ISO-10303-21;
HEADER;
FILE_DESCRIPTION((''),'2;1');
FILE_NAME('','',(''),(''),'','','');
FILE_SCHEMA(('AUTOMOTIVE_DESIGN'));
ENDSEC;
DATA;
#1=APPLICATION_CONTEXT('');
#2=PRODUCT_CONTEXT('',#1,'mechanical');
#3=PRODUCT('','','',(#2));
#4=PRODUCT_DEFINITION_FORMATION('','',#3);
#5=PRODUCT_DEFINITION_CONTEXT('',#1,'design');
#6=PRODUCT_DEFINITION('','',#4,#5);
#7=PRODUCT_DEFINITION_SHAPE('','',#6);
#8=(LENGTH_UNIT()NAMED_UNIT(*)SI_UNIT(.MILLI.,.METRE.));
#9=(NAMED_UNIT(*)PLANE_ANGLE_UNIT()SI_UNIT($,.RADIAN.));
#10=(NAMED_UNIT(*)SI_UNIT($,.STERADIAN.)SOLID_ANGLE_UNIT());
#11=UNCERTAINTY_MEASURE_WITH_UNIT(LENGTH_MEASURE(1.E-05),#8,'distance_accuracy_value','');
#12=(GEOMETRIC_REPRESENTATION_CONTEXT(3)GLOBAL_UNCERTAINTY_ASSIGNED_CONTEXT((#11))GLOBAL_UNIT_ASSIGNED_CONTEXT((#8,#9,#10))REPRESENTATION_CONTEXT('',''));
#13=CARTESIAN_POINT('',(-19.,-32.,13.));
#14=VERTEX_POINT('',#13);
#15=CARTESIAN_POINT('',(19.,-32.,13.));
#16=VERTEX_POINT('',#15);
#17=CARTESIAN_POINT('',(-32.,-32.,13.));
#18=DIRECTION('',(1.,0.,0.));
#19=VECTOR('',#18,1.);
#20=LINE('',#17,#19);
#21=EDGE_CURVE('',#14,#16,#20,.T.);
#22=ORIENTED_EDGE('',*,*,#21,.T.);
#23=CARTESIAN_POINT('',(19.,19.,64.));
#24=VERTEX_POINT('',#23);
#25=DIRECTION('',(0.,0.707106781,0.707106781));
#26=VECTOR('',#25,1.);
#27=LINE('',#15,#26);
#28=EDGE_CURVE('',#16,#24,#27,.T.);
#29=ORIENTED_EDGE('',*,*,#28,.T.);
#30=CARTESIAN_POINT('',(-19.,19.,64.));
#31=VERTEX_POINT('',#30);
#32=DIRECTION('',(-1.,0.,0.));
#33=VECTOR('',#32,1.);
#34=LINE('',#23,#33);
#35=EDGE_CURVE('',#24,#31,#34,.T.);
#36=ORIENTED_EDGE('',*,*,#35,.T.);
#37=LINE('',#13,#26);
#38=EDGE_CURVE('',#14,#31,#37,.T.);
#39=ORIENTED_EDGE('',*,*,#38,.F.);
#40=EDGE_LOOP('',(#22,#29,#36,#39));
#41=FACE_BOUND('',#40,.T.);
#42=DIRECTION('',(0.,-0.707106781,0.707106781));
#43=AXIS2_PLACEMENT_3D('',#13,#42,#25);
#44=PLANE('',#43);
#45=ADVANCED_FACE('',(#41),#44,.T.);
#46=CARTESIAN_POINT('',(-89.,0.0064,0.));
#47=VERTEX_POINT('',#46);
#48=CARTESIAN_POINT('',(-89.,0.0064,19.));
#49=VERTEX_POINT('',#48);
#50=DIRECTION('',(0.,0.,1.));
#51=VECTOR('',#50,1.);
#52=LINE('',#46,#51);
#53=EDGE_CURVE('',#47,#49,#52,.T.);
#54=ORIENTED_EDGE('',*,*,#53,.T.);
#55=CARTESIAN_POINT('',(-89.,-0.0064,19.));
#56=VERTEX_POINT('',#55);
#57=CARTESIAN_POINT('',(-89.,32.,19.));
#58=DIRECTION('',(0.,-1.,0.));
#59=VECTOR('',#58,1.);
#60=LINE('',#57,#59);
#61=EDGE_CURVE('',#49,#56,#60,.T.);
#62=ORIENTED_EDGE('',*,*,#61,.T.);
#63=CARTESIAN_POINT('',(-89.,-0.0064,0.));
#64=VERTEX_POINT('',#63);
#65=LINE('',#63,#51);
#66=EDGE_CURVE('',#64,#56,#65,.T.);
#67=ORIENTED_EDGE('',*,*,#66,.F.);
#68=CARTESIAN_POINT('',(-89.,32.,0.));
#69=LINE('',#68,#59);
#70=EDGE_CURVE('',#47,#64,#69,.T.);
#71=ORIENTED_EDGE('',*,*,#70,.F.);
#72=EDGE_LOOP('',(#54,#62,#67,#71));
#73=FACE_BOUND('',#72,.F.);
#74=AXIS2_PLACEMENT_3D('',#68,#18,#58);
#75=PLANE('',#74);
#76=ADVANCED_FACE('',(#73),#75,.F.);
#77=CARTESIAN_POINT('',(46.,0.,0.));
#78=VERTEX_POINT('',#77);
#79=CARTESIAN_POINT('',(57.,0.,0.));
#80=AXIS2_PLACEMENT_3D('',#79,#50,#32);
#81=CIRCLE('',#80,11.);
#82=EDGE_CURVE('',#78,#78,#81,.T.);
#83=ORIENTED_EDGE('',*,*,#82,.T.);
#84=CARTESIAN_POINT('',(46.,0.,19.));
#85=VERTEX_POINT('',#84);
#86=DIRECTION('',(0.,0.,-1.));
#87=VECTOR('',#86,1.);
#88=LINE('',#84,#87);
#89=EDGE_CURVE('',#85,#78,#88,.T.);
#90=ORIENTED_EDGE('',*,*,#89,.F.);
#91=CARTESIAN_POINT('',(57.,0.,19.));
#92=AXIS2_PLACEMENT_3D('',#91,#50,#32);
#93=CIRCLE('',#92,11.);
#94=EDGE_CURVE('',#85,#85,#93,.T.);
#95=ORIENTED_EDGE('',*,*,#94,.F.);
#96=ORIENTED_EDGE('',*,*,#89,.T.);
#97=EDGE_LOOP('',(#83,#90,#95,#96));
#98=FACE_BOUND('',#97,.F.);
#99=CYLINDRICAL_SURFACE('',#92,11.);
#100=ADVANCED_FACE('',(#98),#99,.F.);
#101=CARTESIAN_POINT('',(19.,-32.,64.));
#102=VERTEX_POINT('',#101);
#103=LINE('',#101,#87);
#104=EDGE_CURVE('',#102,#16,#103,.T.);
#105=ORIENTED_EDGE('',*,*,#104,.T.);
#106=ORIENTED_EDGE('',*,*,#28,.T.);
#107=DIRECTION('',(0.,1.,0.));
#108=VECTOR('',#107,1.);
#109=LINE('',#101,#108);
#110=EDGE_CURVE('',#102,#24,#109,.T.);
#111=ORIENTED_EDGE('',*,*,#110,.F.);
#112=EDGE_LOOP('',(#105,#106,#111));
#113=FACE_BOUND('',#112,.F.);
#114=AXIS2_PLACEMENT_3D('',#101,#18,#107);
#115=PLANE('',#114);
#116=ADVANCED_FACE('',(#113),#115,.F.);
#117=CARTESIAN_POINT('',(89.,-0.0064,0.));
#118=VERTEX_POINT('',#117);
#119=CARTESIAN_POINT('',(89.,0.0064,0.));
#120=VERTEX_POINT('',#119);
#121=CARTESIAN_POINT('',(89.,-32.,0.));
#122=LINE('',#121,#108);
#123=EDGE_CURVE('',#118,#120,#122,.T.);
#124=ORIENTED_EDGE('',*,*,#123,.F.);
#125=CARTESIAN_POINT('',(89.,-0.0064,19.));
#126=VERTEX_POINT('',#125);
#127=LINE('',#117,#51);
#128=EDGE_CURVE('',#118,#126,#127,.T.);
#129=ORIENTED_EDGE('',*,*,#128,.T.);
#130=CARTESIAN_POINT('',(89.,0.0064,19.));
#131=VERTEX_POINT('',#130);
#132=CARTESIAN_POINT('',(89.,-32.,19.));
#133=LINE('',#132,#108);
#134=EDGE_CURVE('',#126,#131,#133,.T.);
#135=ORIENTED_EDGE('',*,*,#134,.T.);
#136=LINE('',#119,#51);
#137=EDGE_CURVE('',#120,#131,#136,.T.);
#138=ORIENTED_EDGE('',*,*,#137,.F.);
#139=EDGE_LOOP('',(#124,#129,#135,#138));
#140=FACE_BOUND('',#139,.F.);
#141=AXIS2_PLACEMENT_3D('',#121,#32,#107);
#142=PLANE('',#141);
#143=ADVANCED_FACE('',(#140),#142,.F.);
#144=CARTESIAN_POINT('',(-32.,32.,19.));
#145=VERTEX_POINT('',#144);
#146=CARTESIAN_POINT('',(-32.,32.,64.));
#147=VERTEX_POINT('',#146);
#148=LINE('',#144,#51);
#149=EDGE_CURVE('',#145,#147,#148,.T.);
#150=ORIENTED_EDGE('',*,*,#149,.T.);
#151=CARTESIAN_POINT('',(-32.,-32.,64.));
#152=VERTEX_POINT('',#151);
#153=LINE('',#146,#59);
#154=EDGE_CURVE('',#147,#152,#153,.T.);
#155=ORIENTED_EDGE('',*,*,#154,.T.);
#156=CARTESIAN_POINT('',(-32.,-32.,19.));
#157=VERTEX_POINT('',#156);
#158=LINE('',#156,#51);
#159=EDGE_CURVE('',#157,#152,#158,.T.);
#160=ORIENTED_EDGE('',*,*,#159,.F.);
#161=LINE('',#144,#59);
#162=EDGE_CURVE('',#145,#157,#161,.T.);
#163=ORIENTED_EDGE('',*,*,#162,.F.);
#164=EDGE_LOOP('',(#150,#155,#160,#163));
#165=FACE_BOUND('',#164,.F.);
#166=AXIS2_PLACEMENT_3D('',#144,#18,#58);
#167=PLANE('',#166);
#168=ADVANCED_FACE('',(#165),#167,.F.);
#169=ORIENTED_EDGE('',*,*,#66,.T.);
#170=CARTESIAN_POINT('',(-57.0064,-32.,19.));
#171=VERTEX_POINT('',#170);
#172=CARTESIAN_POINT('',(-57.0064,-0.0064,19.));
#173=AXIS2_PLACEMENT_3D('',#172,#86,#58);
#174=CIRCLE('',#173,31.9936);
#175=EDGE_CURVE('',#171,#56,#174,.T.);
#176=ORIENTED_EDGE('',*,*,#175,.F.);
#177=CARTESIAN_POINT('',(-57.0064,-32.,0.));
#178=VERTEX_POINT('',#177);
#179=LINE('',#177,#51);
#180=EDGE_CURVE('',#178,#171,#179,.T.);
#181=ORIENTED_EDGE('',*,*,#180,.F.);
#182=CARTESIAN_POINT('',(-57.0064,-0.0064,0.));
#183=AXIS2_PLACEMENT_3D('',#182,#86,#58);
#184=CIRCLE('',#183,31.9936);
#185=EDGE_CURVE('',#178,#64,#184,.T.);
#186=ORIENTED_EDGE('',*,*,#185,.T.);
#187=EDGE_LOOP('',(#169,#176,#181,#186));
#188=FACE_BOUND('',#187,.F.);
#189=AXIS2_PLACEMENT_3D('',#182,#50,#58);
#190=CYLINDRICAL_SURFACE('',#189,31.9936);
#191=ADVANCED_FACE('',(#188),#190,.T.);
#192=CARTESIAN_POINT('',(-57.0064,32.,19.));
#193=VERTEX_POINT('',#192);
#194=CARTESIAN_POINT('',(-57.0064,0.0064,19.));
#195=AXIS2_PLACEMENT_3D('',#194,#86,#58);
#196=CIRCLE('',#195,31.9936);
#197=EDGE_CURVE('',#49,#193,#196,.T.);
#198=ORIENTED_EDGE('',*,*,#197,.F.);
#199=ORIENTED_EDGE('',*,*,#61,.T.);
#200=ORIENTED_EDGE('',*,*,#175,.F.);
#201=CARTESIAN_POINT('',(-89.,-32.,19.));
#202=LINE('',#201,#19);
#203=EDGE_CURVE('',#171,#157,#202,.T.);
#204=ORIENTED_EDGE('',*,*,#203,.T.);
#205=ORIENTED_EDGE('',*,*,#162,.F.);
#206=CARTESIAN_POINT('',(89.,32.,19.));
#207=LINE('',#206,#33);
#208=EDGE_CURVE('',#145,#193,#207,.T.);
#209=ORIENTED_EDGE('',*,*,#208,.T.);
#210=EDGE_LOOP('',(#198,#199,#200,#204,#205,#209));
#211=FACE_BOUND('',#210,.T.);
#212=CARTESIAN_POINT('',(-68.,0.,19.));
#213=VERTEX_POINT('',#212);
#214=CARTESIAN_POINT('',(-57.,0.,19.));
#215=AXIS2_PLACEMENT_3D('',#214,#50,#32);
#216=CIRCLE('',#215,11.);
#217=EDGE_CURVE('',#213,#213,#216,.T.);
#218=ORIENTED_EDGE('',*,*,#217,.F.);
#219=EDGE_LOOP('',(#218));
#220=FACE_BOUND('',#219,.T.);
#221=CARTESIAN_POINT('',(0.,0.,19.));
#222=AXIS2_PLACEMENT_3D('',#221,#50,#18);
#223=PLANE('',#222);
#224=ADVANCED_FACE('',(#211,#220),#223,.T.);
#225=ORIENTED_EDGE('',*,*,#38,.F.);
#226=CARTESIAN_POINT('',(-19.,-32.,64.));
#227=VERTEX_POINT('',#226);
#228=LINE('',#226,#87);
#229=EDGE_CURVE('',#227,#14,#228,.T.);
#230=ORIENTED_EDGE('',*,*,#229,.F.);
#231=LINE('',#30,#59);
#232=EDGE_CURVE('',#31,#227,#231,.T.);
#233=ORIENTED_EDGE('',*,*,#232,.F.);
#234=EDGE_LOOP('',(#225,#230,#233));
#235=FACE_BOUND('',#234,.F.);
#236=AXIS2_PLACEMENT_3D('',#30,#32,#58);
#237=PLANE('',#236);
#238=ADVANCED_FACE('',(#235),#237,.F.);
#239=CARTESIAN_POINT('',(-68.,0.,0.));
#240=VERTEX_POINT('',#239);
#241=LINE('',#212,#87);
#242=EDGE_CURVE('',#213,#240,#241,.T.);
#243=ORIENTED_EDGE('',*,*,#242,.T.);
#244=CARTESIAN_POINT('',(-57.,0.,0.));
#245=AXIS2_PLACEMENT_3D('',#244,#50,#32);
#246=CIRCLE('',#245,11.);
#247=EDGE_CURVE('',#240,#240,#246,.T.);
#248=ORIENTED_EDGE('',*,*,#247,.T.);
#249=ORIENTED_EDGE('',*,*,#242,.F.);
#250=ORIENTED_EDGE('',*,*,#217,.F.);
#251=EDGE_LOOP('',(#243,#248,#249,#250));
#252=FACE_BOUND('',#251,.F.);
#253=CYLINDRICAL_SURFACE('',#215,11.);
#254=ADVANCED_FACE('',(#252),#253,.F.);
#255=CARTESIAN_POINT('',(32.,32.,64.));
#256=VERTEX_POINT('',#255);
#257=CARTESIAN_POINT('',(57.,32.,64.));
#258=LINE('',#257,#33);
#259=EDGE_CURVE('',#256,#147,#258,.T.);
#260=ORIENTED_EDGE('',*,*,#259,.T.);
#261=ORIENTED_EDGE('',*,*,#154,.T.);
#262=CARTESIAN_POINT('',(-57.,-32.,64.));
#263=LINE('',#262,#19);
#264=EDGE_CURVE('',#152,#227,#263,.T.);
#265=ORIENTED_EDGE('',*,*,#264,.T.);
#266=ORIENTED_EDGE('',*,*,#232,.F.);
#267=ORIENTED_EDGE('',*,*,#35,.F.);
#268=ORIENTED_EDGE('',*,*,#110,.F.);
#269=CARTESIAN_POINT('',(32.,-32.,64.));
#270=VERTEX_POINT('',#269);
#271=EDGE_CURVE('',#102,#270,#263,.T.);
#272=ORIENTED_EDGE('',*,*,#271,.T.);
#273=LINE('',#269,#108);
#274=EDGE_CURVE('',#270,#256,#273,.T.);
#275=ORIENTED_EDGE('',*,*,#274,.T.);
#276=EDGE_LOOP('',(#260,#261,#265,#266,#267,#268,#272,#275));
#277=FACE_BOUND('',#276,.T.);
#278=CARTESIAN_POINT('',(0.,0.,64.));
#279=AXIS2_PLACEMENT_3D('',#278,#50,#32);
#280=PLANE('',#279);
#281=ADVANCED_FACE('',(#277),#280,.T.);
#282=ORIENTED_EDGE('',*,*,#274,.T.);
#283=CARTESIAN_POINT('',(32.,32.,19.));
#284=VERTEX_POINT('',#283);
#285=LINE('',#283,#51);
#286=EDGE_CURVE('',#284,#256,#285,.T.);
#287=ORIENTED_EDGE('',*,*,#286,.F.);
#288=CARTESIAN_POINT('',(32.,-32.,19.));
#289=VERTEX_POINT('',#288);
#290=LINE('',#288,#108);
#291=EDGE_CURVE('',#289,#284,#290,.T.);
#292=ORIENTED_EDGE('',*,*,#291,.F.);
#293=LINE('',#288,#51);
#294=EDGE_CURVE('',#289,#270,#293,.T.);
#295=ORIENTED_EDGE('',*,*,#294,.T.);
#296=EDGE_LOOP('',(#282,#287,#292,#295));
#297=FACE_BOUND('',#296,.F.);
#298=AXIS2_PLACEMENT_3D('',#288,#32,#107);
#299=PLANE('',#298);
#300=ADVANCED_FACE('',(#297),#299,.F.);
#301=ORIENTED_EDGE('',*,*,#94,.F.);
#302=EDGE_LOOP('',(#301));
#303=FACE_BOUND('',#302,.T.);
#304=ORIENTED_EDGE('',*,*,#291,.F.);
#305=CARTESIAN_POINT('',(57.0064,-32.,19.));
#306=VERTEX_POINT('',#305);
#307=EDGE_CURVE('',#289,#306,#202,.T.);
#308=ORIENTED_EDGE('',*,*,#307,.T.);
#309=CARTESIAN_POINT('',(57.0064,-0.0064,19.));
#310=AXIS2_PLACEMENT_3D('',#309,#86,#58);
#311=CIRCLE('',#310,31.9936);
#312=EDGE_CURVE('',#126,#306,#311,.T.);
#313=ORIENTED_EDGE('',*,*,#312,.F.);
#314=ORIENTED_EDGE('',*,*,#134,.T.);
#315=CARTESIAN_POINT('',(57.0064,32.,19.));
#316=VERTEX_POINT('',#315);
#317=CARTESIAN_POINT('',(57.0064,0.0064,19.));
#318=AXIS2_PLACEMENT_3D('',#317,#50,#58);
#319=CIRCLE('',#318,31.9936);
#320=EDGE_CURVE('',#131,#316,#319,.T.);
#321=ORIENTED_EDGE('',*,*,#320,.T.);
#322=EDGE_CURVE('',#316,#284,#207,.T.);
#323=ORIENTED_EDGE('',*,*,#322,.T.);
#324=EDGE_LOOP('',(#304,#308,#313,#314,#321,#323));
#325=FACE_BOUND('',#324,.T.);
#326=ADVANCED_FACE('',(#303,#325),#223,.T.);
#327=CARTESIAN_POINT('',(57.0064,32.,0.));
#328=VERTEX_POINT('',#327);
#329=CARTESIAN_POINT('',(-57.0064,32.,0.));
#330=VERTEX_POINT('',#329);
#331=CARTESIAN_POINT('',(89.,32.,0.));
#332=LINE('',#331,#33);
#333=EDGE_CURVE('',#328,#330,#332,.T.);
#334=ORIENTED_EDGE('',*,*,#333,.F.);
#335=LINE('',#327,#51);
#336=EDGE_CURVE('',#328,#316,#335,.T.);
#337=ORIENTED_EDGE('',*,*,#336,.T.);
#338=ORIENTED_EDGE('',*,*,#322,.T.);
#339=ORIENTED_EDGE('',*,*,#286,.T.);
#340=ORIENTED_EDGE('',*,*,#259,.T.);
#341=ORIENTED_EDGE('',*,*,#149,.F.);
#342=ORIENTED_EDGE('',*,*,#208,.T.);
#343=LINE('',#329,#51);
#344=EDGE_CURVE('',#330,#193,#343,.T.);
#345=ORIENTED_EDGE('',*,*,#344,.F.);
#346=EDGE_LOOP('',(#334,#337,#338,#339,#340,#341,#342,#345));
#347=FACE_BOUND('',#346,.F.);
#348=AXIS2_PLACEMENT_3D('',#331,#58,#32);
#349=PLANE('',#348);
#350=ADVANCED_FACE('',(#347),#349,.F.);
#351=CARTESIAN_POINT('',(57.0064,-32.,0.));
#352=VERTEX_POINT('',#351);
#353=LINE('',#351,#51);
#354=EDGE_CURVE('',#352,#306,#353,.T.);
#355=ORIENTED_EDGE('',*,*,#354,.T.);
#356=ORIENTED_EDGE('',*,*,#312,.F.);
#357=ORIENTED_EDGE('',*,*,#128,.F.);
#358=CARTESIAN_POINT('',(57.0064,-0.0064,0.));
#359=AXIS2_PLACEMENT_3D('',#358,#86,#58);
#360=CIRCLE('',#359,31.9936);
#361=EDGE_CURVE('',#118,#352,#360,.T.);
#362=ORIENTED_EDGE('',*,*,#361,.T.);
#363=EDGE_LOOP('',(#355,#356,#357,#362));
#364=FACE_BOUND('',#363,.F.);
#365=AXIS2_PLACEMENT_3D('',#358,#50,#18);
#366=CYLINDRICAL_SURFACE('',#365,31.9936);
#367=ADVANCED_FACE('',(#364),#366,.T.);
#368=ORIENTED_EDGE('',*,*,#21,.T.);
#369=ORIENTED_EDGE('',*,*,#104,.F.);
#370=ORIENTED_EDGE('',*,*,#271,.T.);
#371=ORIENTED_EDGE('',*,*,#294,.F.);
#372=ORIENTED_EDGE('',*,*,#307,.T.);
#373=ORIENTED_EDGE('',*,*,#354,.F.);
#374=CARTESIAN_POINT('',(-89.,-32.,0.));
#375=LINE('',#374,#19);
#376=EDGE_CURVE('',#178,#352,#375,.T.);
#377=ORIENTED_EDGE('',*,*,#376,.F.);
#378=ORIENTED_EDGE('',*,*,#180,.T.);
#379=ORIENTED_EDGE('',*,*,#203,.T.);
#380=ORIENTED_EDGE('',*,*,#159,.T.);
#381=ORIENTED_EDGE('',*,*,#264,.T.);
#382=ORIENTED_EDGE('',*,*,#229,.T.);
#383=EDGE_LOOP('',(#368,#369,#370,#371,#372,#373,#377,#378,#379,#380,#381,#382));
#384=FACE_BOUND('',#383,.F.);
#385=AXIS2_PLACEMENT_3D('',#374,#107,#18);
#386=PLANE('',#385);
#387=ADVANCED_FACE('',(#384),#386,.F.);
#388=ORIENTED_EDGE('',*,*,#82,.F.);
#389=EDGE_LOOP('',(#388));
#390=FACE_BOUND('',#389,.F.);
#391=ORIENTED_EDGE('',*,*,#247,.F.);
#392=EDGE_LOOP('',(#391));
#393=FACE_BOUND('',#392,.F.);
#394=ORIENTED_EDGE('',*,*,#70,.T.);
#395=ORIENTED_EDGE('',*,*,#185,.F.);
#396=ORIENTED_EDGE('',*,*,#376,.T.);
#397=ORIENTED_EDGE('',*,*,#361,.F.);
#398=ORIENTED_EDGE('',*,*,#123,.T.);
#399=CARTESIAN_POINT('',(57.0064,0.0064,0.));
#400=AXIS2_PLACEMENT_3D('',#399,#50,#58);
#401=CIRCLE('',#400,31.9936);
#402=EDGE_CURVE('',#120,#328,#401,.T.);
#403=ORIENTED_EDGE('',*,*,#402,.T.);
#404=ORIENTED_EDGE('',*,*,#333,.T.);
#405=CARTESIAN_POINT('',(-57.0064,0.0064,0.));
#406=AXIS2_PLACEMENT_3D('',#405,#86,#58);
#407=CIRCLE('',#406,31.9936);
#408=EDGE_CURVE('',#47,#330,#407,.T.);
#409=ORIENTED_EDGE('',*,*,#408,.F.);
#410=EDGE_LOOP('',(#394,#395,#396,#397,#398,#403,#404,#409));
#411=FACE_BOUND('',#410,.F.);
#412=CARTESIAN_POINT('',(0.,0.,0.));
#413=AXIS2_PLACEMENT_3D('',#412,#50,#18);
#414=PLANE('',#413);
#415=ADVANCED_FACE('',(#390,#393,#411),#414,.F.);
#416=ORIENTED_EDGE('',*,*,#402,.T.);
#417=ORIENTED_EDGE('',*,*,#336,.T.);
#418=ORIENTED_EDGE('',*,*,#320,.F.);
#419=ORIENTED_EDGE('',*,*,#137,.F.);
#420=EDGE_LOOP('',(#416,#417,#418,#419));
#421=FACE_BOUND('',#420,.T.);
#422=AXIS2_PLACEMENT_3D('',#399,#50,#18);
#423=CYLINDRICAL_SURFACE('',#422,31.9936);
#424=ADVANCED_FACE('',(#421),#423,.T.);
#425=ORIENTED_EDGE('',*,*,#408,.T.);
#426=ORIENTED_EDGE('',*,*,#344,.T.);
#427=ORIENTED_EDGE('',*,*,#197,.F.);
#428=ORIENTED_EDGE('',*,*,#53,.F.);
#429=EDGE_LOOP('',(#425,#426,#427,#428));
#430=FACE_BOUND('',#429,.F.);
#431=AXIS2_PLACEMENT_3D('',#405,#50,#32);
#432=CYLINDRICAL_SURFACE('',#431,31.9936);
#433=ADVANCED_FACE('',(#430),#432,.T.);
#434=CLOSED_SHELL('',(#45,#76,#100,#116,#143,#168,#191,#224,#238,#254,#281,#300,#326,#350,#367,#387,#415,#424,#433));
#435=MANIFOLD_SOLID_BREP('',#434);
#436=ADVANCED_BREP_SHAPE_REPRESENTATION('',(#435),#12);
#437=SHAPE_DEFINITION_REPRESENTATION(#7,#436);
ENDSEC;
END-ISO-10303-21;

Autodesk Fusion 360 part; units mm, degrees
sketch "base" plane through (0, 0, 0) normal (0, 0, 1) x (1, 0, 0)
  line L0 (89, 32) -> (-89, 32)
  line L1 (-89, 32) -> (-89, -32)
  line L2 (-89, -32) -> (89, -32)
  line L3 (89, -32) -> (89, 32)
  line L4 (89, 32) -> (-89, -32) construction
  line L5 (-89, 32) -> (89, -32) construction
  dimension "d1" = 178
  dimension "d2" = 64
extrude "Extrude1" add sketch "base" along normal blind 19
fillet "Fillet1" radius 32 4 edges at (89, -32, 9.5) (89, 32, 9.5) (-89, -32, 9.5) (-89, 32, 9.5)
sketch "circles" plane through (0, 0, 19) normal (0, 0, 1) x (-1, 0, 0)
  arc A0 (57, -32) -> (57, 32) centre (57, 0) ccw
  line L0 (57, 32) -> (-57, 32)
  arc A1 (-57, 32) -> (-57, -32) centre (-57, 0) ccw
  line L1 (-57, -32) -> (57, -32)
  line L2 (57, 32) -> (57, -32) construction
  line L3 (-57, 32) -> (-57, -32) construction
  circle A2 centre (-57, 0) radius 11
  circle A3 centre (57, 0) radius 11
  dimension "d6" = 64
  dimension "d7" = 64
  dimension "d8" = 22
  dimension "d9" = 22
extrude "Extrude2" cut sketch "circles" against normal blind 50 contours A2 | A3
sketch "base square" plane through (0, 0, 19) normal (0, 0, 1) x (-1, 0, 0)
  circle A0 centre (57, 0) radius 11
  circle A1 centre (-57, 0) radius 11
  arc A2 (57, -32) -> (57, 32) centre (57, 0) ccw
  line L0 (57, 32) -> (-57, 32)
  arc A3 (-57, 32) -> (-57, -32) centre (-57, 0) ccw
  line L1 (-57, -32) -> (57, -32)
  line L2 (-32, -32) -> (32, -32)
  line L3 (32, -32) -> (32, 32)
  line L4 (32, 32) -> (-32, 32)
  line L5 (-32, 32) -> (-32, -32)
  line L6 (-32, -32) -> (32, 32) construction
  line L7 (32, -32) -> (-32, 32) construction
  dimension "d12" = 64
  dimension "d13" = 64
extrude "Extrude3" add sketch "base square" along normal blind 45 contours L0 L1 L2 L3 L4 L5
sketch "top rectangle" plane through (0, 0, 64) normal (0, 0, 1) x (-1, 0, 0)
  line L0 (-32, 32) -> (-32, -32)
  line L1 (-32, -32) -> (32, -32)
  line L2 (32, -32) -> (32, 32)
  line L3 (32, 32) -> (-32, 32)
  line L4 (19, 32) -> (-19, 32)
  line L5 (-19, 32) -> (-19, -19)
  line L6 (-19, -19) -> (19, -19)
  line L7 (19, -19) -> (19, 32)
  dimension "d16" = 13
  dimension "d17" = 38
  dimension "d18" = 51
extrude "Extrude4" cut sketch "top rectangle" against normal blind 51 contours L3 L4 L5 L6 L7
sketch "Sketch6" plane through (-19, 0, 0) normal (1, 0, 0) x (0, 1, 0)
  line L0 (19, 64) -> (-32, 64)
  line L1 (-32, 64) -> (-32, 13)
  line L2 (-32, 13) -> (19, 13)
  line L3 (19, 13) -> (19, 64)
  line L4 (-32, 13) -> (19, 13)
  line L5 (19, 13) -> (19, 64)
  line L6 (-32, 13) -> (19, 64)
extrude "Extrude5" add sketch "Sketch6" along normal blind 38 contours L2 L3 L4 L5 L6
equation "d1 = 114 mm + 32 mm + 32 mm"
equation "d14 = 64 mm - 19 mm"
equation "d19 = -64 mm + 19 mm - 6 mm"
